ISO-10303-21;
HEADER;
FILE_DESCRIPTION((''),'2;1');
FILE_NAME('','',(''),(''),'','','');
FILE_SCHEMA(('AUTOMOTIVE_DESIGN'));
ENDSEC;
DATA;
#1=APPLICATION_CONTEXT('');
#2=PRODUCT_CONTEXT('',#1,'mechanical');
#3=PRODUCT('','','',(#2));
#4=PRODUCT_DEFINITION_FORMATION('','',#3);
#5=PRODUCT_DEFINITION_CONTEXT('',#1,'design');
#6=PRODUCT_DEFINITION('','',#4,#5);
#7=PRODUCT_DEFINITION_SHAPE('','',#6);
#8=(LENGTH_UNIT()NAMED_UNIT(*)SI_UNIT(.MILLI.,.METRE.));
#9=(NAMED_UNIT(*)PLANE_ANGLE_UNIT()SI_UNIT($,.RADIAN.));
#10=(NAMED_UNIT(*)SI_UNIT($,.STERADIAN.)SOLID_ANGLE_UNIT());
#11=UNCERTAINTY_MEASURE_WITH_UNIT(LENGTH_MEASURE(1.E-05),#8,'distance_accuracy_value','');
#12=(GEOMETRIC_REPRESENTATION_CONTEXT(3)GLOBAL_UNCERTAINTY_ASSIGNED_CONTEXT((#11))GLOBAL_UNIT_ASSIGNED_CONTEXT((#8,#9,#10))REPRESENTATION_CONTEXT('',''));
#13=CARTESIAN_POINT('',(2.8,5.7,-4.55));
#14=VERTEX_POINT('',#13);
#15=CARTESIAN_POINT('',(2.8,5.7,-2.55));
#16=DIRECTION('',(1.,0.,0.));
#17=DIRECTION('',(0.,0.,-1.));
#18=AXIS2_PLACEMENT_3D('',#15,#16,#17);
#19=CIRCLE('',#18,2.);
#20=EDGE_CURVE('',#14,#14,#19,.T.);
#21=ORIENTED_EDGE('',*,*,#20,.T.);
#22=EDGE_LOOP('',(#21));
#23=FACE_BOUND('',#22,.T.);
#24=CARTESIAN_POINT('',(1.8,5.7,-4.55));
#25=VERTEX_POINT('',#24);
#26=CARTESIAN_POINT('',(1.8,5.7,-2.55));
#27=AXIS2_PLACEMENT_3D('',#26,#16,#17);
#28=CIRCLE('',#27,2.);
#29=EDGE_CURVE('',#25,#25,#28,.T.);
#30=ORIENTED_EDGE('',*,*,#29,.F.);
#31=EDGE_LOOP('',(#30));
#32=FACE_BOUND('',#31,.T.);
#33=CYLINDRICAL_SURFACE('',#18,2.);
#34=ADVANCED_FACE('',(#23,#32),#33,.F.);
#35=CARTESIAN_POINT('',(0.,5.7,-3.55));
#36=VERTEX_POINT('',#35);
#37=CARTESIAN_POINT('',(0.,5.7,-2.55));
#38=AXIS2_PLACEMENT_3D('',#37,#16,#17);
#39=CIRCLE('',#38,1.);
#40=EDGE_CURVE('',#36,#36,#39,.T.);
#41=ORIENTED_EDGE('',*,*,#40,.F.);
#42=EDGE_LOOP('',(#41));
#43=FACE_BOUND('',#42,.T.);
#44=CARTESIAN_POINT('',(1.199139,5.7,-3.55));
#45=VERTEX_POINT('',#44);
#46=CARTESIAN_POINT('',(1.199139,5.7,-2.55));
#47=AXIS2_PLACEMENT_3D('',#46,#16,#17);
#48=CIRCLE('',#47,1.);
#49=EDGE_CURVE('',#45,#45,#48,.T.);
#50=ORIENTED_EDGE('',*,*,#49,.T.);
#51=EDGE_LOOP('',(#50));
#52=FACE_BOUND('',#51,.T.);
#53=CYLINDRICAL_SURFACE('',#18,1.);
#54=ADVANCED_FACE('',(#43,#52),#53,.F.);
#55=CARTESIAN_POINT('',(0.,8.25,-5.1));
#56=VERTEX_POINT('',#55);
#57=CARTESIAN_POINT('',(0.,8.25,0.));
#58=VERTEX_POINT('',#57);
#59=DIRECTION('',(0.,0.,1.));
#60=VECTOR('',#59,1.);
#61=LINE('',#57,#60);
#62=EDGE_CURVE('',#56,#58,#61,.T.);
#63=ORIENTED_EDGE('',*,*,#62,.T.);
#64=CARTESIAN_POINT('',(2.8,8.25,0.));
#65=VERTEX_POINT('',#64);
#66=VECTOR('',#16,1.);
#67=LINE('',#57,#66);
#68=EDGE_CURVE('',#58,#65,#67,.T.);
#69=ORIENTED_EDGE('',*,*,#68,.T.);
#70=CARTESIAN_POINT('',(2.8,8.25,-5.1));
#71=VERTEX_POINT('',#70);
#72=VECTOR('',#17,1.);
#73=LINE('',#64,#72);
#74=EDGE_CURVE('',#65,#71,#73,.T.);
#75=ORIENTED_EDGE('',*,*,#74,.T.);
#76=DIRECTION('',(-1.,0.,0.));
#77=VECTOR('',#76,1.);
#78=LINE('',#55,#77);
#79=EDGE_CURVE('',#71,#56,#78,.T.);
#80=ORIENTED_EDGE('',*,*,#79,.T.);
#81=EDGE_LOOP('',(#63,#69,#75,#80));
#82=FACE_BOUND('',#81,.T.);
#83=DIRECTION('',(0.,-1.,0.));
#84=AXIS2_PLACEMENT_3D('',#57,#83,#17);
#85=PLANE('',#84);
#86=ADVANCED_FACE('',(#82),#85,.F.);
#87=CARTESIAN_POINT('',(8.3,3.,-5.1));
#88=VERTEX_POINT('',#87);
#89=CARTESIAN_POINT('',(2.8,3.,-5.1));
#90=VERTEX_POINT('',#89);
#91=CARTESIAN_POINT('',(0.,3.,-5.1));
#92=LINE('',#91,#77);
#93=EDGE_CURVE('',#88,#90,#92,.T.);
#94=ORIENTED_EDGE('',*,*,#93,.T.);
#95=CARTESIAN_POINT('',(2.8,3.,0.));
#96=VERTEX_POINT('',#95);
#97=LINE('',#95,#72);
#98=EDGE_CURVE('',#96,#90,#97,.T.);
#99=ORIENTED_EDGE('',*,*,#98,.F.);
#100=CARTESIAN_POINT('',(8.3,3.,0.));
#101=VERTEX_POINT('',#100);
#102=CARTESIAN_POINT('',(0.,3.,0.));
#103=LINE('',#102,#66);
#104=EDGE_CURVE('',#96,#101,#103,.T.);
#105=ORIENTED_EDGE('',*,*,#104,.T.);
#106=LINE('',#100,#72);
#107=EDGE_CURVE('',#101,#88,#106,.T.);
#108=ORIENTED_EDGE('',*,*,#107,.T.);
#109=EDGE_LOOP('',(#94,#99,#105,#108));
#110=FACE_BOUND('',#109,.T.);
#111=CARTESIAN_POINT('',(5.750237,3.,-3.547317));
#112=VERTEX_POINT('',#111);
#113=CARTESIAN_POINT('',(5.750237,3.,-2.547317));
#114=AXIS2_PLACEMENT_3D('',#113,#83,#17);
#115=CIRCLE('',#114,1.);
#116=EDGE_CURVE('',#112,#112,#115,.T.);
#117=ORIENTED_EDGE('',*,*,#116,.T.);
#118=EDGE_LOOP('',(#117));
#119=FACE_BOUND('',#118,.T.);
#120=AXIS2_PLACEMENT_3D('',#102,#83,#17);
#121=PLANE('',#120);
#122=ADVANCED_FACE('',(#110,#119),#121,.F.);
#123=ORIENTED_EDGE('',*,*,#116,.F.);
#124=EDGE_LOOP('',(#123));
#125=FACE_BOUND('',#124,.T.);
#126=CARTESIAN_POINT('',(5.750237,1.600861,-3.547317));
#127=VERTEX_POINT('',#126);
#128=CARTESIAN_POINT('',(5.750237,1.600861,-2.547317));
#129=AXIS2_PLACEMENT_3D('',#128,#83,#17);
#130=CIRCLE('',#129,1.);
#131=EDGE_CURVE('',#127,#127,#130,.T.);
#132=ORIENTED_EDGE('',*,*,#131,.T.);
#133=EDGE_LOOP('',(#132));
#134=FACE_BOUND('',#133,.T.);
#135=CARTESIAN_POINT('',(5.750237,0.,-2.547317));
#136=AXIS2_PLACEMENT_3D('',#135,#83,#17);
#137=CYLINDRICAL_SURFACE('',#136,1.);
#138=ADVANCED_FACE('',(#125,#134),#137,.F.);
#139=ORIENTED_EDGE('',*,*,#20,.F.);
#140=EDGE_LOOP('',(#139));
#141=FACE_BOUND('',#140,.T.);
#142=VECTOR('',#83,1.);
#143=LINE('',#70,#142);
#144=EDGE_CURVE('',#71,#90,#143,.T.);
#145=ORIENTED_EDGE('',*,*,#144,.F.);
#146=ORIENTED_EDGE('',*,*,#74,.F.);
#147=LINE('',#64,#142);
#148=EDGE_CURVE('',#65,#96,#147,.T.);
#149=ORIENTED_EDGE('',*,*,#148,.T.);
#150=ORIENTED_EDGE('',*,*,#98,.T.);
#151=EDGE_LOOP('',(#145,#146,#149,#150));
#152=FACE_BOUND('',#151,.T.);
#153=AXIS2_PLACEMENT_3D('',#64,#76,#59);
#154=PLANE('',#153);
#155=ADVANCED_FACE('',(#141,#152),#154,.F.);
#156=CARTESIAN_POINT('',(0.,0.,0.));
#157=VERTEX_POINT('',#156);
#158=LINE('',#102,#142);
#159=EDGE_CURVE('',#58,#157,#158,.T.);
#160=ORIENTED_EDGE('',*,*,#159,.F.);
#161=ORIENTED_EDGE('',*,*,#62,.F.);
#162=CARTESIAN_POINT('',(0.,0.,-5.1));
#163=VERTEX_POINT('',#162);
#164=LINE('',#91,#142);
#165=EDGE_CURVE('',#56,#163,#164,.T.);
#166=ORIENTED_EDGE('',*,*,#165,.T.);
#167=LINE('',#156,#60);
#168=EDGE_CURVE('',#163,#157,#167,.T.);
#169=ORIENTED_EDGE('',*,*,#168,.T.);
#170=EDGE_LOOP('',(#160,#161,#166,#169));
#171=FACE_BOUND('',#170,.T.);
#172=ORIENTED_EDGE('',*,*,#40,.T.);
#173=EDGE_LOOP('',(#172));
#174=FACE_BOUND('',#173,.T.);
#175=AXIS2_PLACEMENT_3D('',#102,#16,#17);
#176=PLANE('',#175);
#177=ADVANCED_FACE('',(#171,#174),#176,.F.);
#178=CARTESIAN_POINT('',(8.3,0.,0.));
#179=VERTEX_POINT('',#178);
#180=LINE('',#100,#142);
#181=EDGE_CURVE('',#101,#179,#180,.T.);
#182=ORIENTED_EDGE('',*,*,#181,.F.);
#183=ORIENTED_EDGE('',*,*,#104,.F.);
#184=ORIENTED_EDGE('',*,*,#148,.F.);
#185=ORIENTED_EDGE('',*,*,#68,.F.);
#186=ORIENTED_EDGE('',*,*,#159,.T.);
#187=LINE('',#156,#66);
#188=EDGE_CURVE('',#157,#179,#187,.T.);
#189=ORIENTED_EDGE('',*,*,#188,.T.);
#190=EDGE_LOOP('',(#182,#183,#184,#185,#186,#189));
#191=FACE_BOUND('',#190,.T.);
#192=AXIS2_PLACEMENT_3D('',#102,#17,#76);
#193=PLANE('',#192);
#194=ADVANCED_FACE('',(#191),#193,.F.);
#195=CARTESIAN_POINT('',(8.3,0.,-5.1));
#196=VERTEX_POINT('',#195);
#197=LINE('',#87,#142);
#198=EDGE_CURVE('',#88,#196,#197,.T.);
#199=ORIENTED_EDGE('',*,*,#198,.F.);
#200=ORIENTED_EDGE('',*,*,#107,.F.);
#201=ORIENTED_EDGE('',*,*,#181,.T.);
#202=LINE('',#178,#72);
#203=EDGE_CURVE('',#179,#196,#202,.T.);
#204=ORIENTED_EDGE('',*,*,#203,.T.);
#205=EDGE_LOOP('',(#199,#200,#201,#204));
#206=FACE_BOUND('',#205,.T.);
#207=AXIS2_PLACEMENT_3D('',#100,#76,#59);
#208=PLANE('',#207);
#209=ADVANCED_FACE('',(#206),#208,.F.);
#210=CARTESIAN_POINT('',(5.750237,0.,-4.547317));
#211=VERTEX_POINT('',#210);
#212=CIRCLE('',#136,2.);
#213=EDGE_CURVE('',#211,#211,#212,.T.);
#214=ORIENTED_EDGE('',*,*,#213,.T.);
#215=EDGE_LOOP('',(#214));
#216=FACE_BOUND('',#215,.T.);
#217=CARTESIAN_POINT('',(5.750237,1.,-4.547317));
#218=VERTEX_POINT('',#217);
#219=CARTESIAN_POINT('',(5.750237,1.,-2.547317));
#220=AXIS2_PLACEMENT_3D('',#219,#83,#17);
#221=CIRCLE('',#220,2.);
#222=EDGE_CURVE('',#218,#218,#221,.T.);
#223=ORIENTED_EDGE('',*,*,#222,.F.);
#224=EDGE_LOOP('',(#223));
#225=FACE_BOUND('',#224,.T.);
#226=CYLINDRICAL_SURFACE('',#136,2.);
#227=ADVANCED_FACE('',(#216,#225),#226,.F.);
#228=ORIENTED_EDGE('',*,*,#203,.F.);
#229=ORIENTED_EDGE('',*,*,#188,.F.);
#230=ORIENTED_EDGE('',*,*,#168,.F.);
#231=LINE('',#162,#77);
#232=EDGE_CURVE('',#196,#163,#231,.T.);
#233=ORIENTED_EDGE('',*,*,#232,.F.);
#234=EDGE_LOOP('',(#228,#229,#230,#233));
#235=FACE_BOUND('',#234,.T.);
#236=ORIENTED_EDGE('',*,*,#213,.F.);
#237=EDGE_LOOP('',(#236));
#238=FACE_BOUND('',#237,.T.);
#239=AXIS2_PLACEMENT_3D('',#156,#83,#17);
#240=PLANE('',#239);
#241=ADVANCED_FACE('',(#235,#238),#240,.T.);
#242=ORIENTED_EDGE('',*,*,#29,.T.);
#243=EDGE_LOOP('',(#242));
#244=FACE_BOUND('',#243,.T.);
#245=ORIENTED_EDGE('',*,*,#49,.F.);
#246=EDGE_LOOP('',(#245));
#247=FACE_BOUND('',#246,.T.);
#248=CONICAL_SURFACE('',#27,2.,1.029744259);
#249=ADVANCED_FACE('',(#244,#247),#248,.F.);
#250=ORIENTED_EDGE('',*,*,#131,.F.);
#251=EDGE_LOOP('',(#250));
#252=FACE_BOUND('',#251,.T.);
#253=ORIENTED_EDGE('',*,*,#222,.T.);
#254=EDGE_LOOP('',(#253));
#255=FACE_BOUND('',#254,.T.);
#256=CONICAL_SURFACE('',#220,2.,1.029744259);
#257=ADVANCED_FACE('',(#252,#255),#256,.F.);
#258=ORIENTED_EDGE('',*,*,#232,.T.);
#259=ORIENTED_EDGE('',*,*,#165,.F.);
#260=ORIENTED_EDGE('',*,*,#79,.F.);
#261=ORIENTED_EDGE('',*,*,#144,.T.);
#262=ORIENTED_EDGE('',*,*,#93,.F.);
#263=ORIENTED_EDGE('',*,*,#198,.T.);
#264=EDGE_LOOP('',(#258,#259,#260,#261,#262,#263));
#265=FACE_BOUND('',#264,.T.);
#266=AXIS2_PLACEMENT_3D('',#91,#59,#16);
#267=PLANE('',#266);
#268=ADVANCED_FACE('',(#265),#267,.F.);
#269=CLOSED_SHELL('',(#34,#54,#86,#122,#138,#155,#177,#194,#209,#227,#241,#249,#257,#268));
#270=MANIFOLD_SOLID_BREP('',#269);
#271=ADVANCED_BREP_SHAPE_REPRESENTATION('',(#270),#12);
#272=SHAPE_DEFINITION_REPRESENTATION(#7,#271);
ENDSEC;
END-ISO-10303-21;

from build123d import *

# Parameters (mm, degrees)
ESQUISSE1_W        = 8.3
ESQUISSE1_H        = 5.1
BOSS_EXTRU_1_DEPTH = 3
ESQUISSE2_W        = 2.8
ESQUISSE2_H        = 5.1
BOSS_EXTRU_2_DEPTH = 5.25


with BuildPart() as part:
    # Esquisse1 → Boss.-Extru.1 (new body)
    with BuildSketch(Plane(origin=(0, 0, 0), x_dir=(1, 0, 0), z_dir=(0, 1, 0))):
        with Locations((4.15, 2.55)):
            Rectangle(ESQUISSE1_W, ESQUISSE1_H)
    extrude(amount=BOSS_EXTRU_1_DEPTH)

    # Esquisse2 → Boss.-Extru.2 (add)
    with BuildSketch(Plane(origin=(0, 3, 0), x_dir=(1, 0, 0), z_dir=(0, 1, 0))):
        with Locations((1.4, 2.55)):
            Rectangle(ESQUISSE2_W, ESQUISSE2_H)
    extrude(amount=BOSS_EXTRU_2_DEPTH)

    # Esquisse6 → Perçage1 (revolve, cut)
    with BuildSketch(Plane(origin=(2.8, 5.7, -2.55), x_dir=(0, 0, -1), z_dir=(0, 1, 0))):
        Polygon((0, 0), (0, 3.400860619), (1, 2.8), (1, 1.600860619), (2, 1), (2, 0), align=None)
    revolve(axis=Axis((8.930023899, 5.7, -2.55), (-1, 0, 0)), mode=Mode.SUBTRACT)

    # Esquisse9 → Perçage2 (revolve, cut)
    with BuildSketch(Plane(origin=(5.750237397, 0, -2.547317036), x_dir=(0, 0, -1), z_dir=(1, 0, 0))):
        Polygon((0, 0), (0, 10.600860619), (1, 10), (1, 1.600860619), (2, 1), (2, 0), align=None)
    revolve(axis=Axis((5.750237397, -6.130023899, -2.547317036), (0, 1, 0)), mode=Mode.SUBTRACT)


solid = part.part
